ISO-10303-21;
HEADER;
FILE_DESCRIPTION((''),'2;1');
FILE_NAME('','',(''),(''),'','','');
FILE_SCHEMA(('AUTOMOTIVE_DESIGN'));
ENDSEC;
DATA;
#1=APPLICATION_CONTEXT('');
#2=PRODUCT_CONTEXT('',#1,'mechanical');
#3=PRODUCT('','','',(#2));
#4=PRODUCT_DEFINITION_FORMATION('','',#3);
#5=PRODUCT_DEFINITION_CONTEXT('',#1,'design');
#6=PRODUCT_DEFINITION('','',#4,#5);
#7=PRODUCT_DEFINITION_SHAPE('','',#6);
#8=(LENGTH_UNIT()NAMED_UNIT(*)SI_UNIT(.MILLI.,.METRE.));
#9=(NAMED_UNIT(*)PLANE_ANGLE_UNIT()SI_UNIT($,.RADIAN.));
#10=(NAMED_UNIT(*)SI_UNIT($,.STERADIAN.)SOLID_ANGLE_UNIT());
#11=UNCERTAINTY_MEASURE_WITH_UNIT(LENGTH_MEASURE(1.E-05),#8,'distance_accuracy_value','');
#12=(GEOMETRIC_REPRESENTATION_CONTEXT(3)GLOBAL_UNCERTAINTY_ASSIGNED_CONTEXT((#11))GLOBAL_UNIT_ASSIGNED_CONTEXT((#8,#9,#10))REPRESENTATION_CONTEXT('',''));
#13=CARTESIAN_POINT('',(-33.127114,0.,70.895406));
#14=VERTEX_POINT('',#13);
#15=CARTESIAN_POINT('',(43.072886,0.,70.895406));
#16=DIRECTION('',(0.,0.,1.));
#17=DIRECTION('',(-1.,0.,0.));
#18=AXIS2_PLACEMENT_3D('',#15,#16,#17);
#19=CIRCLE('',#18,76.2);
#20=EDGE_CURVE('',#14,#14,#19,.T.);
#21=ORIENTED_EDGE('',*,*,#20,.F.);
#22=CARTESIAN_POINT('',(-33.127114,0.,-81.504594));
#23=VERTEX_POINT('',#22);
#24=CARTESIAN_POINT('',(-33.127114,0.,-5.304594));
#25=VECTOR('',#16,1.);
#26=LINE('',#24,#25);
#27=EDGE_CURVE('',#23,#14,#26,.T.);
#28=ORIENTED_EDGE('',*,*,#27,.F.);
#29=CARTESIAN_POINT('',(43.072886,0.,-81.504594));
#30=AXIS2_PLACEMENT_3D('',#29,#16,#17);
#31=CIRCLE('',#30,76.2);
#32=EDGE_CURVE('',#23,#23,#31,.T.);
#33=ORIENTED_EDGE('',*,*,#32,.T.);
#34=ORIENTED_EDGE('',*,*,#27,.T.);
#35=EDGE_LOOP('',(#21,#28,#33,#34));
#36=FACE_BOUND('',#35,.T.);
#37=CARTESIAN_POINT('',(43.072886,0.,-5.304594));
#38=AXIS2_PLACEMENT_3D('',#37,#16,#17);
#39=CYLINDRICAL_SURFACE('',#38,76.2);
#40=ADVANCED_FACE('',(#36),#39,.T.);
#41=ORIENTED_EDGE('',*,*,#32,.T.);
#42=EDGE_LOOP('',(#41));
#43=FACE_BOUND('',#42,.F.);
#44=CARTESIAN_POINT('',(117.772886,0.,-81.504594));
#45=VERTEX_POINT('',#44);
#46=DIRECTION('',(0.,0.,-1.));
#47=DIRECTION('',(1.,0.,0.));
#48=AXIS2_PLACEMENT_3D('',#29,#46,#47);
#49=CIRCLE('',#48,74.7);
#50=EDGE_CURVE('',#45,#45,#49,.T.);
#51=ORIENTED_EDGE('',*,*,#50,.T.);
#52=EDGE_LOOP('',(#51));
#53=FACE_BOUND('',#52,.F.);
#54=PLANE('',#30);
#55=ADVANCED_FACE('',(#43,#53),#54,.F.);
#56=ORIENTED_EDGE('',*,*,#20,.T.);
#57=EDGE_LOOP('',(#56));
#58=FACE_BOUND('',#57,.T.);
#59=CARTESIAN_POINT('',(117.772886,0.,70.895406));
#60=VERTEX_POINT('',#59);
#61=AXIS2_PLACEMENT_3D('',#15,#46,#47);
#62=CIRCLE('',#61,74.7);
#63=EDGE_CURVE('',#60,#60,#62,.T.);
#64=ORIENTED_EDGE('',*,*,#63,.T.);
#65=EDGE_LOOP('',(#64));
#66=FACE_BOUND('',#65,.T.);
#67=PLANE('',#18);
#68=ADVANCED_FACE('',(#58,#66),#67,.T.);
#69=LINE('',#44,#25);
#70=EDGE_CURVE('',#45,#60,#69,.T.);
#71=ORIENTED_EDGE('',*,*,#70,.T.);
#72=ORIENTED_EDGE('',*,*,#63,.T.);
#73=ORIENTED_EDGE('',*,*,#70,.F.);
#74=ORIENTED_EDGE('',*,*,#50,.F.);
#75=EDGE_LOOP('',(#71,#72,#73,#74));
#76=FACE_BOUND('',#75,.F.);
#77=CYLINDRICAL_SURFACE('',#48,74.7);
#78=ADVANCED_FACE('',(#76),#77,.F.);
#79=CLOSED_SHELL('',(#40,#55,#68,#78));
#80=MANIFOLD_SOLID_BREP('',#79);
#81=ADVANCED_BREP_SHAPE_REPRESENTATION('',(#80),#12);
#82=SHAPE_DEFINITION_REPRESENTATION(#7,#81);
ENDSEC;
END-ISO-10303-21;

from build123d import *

# Parameters (mm, degrees)
F0_W     = 76.2
F0_H     = 152.4
F2_R     = 74.7
F3_DEPTH = 207.01


with BuildPart() as f1:
    # F0 (on Front) → F1 (revolve)
    with BuildSketch(Plane.XZ):
        with Locations((4.972886, -5.304594)):
            Rectangle(F0_W, F0_H)
    revolve(axis=Axis((43.072886, 0, -5.304594), (0, 0, 1)))

    # F2 (on face) → F3 (cut)
    with BuildSketch(Plane(origin=(0, 0, -81.504594), x_dir=(1, 0, 0), z_dir=(0, 0, -1))):
        with Locations((43.072886, 0)):
            Circle(F2_R)
    extrude(amount=-F3_DEPTH, mode=Mode.SUBTRACT)


solid = f1.part
